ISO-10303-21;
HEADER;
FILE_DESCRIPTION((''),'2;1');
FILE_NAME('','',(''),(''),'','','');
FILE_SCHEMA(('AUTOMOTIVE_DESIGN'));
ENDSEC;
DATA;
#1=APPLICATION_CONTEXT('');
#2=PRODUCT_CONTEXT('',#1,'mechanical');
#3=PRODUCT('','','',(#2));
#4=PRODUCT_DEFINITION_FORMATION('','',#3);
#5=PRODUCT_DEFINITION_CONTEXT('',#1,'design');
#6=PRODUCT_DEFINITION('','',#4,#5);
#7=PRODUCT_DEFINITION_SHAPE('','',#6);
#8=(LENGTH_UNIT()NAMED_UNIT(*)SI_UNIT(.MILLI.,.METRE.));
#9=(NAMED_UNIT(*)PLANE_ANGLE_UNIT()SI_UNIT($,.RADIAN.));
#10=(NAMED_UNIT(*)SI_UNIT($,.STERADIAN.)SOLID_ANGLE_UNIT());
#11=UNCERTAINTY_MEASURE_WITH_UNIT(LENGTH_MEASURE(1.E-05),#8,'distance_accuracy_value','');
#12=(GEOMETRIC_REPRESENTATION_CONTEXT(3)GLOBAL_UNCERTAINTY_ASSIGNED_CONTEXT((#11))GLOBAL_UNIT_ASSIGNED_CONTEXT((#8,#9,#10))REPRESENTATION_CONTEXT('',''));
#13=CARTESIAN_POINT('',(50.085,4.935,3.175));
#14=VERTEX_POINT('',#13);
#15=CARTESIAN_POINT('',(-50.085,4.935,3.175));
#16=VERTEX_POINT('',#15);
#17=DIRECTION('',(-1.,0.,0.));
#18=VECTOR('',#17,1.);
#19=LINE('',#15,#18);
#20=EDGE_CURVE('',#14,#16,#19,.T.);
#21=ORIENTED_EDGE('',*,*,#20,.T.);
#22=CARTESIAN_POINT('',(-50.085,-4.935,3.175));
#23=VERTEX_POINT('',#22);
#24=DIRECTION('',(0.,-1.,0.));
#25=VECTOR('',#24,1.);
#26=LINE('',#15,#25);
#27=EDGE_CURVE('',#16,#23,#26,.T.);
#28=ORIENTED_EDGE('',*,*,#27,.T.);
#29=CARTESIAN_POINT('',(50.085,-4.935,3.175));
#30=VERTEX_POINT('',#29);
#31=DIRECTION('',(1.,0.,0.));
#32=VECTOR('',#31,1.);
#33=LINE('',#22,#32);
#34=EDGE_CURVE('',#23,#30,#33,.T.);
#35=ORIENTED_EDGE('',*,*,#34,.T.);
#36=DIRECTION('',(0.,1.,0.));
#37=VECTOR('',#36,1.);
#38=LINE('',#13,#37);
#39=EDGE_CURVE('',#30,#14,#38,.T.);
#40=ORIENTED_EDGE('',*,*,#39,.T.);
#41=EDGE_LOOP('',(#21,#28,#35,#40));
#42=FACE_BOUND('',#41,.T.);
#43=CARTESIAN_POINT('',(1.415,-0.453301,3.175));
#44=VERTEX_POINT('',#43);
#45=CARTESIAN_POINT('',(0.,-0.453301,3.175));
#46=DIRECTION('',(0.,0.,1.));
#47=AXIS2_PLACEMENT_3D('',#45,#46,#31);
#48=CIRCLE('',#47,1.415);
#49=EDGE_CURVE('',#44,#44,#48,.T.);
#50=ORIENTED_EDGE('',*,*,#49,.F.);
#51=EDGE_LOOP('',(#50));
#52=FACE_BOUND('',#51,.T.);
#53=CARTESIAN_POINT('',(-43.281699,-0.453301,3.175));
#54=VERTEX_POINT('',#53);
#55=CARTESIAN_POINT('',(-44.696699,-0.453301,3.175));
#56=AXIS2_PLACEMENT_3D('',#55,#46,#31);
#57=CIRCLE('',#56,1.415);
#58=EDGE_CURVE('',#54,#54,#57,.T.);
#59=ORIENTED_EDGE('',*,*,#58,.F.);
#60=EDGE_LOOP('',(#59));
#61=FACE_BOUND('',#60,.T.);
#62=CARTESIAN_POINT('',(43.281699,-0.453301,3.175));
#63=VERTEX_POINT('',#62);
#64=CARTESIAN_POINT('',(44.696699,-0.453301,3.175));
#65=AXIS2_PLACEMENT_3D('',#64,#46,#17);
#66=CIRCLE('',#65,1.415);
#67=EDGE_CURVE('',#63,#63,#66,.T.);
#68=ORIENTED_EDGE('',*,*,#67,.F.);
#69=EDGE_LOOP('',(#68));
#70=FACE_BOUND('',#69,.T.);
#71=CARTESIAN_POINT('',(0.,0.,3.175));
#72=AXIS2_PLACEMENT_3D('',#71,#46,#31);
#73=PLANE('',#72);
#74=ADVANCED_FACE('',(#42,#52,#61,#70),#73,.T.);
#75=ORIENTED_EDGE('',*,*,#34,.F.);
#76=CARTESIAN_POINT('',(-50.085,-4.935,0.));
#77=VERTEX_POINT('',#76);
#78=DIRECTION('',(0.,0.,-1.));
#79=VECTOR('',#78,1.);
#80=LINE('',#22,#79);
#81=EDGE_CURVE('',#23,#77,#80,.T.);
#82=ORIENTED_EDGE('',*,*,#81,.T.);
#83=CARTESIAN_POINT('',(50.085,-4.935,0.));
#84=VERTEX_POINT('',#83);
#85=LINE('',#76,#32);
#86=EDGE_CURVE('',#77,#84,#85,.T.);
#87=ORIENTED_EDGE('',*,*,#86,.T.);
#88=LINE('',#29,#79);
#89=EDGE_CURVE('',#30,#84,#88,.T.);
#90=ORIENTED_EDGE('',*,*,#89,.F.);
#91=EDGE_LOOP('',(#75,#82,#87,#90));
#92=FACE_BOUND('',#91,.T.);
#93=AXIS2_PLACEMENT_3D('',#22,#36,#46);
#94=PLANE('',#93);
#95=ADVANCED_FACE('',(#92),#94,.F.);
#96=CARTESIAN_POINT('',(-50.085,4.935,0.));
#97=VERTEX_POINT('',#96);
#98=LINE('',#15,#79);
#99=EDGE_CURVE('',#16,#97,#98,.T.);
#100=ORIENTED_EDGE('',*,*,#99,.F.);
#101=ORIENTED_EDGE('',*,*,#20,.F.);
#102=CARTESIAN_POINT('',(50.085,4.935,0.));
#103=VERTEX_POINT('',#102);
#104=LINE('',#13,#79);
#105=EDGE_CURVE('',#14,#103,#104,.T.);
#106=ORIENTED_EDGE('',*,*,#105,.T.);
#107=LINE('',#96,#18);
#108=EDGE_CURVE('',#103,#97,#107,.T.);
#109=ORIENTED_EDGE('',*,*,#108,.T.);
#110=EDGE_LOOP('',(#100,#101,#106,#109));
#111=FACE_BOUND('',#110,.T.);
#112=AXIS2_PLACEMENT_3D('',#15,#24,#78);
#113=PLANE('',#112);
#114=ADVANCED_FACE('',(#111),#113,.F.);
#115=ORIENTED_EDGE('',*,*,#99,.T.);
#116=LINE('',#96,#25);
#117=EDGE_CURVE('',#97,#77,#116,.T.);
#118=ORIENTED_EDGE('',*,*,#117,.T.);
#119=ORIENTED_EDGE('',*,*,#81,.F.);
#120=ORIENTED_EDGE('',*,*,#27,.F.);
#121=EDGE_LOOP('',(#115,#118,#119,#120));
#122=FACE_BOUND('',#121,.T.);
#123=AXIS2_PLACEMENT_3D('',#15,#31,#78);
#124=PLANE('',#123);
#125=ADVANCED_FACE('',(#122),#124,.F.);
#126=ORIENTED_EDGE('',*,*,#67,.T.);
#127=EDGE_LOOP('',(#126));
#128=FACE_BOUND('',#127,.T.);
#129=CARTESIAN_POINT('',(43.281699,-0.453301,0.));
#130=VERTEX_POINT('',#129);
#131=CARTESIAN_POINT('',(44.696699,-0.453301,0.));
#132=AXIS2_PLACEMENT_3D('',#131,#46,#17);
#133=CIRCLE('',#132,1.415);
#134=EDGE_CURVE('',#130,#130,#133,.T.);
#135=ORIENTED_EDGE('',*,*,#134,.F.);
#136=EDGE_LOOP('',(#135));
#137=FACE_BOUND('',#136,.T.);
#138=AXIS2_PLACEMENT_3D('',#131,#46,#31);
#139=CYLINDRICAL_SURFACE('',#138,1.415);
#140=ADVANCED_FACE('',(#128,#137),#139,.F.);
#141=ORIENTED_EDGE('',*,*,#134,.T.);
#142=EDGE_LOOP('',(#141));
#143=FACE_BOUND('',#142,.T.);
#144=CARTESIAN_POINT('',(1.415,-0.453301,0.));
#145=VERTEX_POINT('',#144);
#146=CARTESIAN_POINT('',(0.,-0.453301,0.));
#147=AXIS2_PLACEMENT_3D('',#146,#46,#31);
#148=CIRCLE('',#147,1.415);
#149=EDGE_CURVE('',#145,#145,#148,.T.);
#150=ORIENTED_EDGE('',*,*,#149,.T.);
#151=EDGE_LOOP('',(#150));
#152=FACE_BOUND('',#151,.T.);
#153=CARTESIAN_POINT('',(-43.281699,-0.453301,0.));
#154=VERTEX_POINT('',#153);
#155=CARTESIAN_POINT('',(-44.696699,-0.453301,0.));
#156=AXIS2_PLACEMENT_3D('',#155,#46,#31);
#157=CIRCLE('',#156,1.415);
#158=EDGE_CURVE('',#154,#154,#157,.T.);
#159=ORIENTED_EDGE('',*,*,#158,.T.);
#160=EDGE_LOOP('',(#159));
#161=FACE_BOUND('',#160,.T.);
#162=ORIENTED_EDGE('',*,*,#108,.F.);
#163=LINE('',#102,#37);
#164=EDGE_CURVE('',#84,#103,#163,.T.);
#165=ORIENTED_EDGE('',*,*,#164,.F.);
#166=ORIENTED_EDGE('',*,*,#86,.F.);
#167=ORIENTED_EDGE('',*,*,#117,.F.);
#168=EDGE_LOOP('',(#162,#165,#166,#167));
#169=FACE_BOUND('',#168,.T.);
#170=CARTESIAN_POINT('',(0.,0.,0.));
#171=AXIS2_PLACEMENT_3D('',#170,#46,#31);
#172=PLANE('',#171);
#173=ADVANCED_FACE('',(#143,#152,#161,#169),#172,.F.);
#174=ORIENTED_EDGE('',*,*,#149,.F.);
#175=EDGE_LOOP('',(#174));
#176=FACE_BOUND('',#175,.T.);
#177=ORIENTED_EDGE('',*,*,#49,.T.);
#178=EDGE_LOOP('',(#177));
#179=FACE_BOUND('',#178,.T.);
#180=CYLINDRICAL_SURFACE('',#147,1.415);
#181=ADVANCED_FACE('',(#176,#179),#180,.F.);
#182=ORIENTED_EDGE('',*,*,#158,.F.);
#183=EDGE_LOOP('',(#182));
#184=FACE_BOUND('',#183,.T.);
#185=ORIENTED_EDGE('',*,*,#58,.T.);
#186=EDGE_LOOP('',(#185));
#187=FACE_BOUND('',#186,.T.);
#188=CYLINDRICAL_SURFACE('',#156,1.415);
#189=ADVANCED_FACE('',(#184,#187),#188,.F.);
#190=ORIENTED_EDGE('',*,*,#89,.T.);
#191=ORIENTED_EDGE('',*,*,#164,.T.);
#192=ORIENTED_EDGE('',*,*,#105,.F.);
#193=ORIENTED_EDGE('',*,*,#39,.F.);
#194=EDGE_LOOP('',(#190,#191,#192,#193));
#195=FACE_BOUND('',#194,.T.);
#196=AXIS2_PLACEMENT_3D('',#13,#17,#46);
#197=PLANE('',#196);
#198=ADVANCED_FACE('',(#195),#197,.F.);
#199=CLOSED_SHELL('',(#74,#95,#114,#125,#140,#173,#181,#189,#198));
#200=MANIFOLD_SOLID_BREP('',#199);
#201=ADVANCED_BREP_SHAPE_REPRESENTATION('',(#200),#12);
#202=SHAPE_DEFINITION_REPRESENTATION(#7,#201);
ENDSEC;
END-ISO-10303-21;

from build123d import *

# Parameters (mm, degrees)
SKETCH1_W           = 100.17
SKETCH1_H           = 9.87
BOSS_EXTRUDE1_DEPTH = 3.175
SKETCH2_R           = 1.415
CUT_EXTRUDE1_DEPTH  = 4.175
SKETCH3_R           = 1.415
CUT_EXTRUDE2_DEPTH  = 4.175


with BuildPart() as part:
    # Sketch1 → Boss-Extrude1 (new body)
    with BuildSketch(Plane.XY):
        Rectangle(SKETCH1_W, SKETCH1_H)
    extrude(amount=BOSS_EXTRUDE1_DEPTH)

    # Sketch2 → Cut-Extrude1 (cut, through all)
    with BuildSketch(Plane.XY.offset(3.175)):
        with Locations((-44.696699141, -0.453300859)):
            Circle(SKETCH2_R)
        with Locations((44.696699141, -0.453300859)):
            Circle(SKETCH2_R)
    extrude(amount=-CUT_EXTRUDE1_DEPTH, mode=Mode.SUBTRACT)

    # Sketch3 → Cut-Extrude2 (cut, through all)
    with BuildSketch(Plane.XY.offset(3.175)):
        with Locations((0, -0.453300859)):
            Circle(SKETCH3_R)
    extrude(amount=-CUT_EXTRUDE2_DEPTH, mode=Mode.SUBTRACT)


solid = part.part
